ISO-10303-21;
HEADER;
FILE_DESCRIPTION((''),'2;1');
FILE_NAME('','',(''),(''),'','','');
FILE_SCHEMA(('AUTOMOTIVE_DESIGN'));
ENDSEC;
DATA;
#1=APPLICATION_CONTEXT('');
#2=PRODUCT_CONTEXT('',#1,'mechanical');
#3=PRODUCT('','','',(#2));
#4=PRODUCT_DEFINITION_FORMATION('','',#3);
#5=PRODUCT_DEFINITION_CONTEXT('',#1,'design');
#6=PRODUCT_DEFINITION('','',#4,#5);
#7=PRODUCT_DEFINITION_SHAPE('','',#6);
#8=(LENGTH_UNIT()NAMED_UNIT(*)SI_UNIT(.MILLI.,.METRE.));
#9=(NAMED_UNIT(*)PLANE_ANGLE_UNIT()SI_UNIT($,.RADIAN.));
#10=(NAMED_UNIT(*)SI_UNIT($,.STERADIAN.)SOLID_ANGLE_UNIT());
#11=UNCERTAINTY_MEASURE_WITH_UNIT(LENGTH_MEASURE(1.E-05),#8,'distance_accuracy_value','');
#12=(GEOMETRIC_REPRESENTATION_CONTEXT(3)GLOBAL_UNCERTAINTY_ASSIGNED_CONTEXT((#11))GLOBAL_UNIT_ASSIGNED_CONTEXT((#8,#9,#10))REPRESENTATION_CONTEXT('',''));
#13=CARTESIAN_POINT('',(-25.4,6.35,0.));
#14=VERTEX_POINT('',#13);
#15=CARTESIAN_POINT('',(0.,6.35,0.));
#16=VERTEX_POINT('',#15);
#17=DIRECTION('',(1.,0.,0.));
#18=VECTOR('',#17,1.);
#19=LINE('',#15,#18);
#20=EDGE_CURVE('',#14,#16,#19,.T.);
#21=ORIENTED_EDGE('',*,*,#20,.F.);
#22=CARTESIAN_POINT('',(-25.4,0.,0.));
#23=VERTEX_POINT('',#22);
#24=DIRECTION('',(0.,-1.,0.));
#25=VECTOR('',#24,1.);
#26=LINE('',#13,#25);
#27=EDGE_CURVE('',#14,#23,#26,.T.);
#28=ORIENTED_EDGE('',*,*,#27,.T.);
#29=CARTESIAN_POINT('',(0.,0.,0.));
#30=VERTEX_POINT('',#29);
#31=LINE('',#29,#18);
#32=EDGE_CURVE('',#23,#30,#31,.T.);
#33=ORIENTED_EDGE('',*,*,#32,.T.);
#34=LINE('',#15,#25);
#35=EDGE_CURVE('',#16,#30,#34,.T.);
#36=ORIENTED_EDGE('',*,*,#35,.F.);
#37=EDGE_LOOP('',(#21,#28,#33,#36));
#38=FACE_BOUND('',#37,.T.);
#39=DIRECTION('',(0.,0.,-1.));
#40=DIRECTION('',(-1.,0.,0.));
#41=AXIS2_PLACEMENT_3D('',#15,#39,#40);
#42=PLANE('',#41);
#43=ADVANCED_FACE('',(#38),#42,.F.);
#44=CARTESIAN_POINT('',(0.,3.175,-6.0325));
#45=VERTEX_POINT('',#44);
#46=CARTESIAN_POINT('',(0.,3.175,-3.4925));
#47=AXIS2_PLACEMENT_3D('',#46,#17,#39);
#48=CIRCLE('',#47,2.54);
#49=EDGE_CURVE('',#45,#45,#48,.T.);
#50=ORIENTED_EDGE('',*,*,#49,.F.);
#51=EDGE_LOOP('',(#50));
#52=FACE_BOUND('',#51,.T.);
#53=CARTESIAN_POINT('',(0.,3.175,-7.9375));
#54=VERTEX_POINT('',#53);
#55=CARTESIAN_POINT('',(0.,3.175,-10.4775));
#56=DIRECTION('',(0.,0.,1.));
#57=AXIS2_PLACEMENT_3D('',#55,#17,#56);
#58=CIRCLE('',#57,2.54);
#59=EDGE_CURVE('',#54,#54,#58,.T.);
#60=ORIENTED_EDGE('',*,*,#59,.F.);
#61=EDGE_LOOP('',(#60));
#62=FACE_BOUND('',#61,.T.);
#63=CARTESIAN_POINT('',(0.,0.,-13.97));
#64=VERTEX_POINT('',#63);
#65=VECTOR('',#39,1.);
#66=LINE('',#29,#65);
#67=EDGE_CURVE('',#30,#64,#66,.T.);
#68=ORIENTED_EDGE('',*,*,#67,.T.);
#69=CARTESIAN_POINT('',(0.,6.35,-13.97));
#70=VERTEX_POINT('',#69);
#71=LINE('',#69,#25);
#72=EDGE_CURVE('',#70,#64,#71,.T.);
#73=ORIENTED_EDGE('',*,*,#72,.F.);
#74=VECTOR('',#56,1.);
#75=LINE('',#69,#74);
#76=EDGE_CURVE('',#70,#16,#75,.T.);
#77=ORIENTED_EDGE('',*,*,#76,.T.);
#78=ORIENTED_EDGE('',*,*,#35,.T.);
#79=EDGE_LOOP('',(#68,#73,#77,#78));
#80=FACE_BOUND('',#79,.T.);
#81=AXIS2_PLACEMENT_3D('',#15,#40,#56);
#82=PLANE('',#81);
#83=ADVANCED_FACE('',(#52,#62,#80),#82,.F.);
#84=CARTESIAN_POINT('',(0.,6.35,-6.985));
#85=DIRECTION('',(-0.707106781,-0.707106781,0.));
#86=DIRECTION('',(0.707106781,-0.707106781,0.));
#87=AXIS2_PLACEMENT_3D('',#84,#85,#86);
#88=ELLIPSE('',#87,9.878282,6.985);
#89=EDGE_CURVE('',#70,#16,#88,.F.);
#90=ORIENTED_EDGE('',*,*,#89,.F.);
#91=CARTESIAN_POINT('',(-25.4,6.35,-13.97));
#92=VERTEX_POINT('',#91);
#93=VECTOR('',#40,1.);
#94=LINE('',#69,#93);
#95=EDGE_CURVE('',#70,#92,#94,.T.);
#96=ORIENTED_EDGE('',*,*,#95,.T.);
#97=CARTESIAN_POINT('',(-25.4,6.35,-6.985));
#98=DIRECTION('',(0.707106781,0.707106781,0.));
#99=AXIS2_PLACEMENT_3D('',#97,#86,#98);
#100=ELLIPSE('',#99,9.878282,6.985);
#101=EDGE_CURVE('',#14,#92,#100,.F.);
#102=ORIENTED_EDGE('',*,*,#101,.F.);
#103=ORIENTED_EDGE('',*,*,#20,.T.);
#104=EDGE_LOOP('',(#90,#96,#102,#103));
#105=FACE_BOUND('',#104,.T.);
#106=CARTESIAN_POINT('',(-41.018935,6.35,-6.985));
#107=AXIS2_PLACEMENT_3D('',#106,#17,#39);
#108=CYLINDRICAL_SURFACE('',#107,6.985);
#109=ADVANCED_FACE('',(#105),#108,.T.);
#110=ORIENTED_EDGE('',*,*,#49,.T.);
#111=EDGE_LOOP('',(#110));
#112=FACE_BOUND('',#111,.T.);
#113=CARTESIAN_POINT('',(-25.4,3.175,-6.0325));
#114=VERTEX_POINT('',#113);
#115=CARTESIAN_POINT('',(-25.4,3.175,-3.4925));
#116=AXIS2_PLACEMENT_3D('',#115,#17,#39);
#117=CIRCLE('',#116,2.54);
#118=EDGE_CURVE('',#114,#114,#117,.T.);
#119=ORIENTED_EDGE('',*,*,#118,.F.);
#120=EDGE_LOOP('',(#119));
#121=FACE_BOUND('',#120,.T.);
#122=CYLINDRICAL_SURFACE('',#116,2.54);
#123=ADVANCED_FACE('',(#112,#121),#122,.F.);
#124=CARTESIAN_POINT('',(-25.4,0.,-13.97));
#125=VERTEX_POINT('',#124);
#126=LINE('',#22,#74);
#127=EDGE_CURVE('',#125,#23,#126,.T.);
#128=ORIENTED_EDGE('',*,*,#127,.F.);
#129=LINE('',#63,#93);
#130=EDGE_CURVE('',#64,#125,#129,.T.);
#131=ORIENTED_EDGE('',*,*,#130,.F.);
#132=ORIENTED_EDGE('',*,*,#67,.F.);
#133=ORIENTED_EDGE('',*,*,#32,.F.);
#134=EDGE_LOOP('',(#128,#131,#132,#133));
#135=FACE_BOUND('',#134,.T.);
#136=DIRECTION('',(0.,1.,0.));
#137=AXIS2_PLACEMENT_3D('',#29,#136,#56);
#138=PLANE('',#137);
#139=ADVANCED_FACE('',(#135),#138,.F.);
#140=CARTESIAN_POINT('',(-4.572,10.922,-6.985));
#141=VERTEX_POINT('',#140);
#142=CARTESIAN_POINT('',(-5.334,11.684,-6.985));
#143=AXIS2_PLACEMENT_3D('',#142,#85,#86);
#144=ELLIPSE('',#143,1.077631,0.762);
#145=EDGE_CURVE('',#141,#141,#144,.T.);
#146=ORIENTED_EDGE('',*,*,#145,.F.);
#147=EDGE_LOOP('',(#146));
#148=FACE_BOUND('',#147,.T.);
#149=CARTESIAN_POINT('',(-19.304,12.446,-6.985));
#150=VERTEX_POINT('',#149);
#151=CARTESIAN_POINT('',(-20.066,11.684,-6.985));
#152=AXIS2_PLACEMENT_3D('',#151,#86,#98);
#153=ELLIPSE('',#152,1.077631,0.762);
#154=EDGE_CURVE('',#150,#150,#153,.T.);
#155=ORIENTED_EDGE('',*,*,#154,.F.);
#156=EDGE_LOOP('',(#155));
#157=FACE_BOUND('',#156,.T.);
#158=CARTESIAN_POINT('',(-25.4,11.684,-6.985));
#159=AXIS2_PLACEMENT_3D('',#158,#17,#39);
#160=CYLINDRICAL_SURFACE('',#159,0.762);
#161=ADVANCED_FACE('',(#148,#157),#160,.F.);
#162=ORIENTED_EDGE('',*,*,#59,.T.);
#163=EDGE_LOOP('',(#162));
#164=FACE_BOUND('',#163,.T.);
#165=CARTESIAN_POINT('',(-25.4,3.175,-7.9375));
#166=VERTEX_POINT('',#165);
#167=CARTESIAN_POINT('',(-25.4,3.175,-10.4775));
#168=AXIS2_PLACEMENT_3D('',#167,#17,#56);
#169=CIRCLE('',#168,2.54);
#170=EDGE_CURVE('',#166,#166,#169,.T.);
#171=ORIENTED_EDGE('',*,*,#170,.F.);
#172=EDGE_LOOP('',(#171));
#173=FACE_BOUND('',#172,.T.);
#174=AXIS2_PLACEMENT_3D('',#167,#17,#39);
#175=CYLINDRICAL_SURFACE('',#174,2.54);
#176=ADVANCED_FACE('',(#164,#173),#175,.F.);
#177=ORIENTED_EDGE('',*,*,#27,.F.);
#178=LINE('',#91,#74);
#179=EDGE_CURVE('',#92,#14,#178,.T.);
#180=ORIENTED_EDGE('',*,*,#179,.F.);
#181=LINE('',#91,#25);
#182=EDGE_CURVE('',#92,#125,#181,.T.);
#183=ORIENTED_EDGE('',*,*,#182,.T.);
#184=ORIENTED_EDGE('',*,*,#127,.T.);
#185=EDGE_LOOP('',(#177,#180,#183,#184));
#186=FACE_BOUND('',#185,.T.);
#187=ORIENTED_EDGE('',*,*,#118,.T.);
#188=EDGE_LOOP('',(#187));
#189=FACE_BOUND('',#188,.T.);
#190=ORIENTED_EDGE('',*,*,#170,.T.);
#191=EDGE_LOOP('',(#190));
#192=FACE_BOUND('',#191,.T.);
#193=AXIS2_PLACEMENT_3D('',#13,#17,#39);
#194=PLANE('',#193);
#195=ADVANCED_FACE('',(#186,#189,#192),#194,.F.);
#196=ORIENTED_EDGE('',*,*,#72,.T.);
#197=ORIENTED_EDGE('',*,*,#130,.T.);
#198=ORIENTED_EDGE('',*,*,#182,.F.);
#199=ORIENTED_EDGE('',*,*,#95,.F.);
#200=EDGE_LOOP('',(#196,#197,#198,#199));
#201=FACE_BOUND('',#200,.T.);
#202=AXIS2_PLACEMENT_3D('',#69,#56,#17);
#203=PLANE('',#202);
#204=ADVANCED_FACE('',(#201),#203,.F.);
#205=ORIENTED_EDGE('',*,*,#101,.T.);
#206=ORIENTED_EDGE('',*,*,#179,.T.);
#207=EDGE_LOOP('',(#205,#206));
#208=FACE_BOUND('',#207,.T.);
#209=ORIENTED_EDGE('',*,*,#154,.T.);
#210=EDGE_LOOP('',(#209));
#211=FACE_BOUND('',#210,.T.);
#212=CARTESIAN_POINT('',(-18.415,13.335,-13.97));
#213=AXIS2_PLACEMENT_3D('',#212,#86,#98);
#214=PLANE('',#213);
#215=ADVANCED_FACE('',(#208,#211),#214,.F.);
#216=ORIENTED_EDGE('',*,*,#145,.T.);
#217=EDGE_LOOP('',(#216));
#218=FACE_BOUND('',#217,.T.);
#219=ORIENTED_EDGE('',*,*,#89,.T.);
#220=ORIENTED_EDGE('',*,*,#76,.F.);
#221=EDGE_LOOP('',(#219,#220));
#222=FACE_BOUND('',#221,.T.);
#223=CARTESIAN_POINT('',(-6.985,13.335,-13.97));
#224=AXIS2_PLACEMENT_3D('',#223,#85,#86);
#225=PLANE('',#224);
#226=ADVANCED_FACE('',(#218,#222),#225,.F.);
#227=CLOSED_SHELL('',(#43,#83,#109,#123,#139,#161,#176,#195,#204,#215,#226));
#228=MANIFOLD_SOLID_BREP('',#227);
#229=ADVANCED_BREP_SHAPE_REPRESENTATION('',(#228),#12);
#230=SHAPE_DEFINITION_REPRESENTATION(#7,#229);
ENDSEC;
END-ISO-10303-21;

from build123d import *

# Parameters (mm, degrees)
SKETCH1_W              = 25.4
SKETCH1_H              = 13.97
DEPTH_A_DEPTH          = 6.35
ROUND_EXTRUDE_DEPTH    = 25.4
ANGLE_CUT_DEPTH        = 32.908355097
STRING_HOLE_R          = 0.762
STRING_HOLE_CUT_DEPTH  = 32.908355097
ELASTIC_HOLES_R        = 2.54
ELASTIC_HOLE_CUT_DEPTH = 32.908355097


with BuildPart() as part:
    # Sketch1 → depth a (new body)
    with BuildSketch(Plane(origin=(0, 0, 0), x_dir=(1, 0, 0), z_dir=(0, 1, 0))):
        with Locations((-12.7, 6.985)):
            Rectangle(SKETCH1_W, SKETCH1_H)
    extrude(amount=DEPTH_A_DEPTH)

    # Sketch4 → round extrude (add)
    with BuildSketch(Plane(origin=(0, 0, 0), x_dir=(0, 0, -1), z_dir=(1, 0, 0))):
        with BuildLine():
            Line((0, 6.35), (13.97, 6.35))
            ThreePointArc((13.97, 6.35), (6.985, 13.335), (0, 6.35))
        make_face()
    extrude(amount=-ROUND_EXTRUDE_DEPTH)

    # Sketch5 → angle cut (cut, through all)
    with BuildSketch(Plane.XY):
        Polygon((0, 6.35), (0, 13.335), (-6.985, 13.335), align=None)
        Polygon((-25.4, 6.35), (-25.4, 13.335), (-18.415, 13.335), align=None)
    extrude(amount=-ANGLE_CUT_DEPTH, mode=Mode.SUBTRACT)

    # string hole → string hole cut (cut, through all)
    with BuildSketch(Plane(origin=(0, 0, 0), x_dir=(0, 0, -1), z_dir=(1, 0, 0))):
        with Locations(Location((6.985, 11.684, 0), (0, 0, 270))):
            Circle(STRING_HOLE_R)
    extrude(amount=-STRING_HOLE_CUT_DEPTH, mode=Mode.SUBTRACT)

    # elastic holes → elastic hole cut (cut, through all)
    with BuildSketch(Plane(origin=(0, 0, 0), x_dir=(0, 0, -1), z_dir=(1, 0, 0))):
        with Locations((3.4925, 3.175)):
            Circle(ELASTIC_HOLES_R)
        with Locations(Location((10.4775, 3.175, 0), (0, 0, 180))):
            Circle(ELASTIC_HOLES_R)
    extrude(amount=-ELASTIC_HOLE_CUT_DEPTH, mode=Mode.SUBTRACT)


solid = part.part
